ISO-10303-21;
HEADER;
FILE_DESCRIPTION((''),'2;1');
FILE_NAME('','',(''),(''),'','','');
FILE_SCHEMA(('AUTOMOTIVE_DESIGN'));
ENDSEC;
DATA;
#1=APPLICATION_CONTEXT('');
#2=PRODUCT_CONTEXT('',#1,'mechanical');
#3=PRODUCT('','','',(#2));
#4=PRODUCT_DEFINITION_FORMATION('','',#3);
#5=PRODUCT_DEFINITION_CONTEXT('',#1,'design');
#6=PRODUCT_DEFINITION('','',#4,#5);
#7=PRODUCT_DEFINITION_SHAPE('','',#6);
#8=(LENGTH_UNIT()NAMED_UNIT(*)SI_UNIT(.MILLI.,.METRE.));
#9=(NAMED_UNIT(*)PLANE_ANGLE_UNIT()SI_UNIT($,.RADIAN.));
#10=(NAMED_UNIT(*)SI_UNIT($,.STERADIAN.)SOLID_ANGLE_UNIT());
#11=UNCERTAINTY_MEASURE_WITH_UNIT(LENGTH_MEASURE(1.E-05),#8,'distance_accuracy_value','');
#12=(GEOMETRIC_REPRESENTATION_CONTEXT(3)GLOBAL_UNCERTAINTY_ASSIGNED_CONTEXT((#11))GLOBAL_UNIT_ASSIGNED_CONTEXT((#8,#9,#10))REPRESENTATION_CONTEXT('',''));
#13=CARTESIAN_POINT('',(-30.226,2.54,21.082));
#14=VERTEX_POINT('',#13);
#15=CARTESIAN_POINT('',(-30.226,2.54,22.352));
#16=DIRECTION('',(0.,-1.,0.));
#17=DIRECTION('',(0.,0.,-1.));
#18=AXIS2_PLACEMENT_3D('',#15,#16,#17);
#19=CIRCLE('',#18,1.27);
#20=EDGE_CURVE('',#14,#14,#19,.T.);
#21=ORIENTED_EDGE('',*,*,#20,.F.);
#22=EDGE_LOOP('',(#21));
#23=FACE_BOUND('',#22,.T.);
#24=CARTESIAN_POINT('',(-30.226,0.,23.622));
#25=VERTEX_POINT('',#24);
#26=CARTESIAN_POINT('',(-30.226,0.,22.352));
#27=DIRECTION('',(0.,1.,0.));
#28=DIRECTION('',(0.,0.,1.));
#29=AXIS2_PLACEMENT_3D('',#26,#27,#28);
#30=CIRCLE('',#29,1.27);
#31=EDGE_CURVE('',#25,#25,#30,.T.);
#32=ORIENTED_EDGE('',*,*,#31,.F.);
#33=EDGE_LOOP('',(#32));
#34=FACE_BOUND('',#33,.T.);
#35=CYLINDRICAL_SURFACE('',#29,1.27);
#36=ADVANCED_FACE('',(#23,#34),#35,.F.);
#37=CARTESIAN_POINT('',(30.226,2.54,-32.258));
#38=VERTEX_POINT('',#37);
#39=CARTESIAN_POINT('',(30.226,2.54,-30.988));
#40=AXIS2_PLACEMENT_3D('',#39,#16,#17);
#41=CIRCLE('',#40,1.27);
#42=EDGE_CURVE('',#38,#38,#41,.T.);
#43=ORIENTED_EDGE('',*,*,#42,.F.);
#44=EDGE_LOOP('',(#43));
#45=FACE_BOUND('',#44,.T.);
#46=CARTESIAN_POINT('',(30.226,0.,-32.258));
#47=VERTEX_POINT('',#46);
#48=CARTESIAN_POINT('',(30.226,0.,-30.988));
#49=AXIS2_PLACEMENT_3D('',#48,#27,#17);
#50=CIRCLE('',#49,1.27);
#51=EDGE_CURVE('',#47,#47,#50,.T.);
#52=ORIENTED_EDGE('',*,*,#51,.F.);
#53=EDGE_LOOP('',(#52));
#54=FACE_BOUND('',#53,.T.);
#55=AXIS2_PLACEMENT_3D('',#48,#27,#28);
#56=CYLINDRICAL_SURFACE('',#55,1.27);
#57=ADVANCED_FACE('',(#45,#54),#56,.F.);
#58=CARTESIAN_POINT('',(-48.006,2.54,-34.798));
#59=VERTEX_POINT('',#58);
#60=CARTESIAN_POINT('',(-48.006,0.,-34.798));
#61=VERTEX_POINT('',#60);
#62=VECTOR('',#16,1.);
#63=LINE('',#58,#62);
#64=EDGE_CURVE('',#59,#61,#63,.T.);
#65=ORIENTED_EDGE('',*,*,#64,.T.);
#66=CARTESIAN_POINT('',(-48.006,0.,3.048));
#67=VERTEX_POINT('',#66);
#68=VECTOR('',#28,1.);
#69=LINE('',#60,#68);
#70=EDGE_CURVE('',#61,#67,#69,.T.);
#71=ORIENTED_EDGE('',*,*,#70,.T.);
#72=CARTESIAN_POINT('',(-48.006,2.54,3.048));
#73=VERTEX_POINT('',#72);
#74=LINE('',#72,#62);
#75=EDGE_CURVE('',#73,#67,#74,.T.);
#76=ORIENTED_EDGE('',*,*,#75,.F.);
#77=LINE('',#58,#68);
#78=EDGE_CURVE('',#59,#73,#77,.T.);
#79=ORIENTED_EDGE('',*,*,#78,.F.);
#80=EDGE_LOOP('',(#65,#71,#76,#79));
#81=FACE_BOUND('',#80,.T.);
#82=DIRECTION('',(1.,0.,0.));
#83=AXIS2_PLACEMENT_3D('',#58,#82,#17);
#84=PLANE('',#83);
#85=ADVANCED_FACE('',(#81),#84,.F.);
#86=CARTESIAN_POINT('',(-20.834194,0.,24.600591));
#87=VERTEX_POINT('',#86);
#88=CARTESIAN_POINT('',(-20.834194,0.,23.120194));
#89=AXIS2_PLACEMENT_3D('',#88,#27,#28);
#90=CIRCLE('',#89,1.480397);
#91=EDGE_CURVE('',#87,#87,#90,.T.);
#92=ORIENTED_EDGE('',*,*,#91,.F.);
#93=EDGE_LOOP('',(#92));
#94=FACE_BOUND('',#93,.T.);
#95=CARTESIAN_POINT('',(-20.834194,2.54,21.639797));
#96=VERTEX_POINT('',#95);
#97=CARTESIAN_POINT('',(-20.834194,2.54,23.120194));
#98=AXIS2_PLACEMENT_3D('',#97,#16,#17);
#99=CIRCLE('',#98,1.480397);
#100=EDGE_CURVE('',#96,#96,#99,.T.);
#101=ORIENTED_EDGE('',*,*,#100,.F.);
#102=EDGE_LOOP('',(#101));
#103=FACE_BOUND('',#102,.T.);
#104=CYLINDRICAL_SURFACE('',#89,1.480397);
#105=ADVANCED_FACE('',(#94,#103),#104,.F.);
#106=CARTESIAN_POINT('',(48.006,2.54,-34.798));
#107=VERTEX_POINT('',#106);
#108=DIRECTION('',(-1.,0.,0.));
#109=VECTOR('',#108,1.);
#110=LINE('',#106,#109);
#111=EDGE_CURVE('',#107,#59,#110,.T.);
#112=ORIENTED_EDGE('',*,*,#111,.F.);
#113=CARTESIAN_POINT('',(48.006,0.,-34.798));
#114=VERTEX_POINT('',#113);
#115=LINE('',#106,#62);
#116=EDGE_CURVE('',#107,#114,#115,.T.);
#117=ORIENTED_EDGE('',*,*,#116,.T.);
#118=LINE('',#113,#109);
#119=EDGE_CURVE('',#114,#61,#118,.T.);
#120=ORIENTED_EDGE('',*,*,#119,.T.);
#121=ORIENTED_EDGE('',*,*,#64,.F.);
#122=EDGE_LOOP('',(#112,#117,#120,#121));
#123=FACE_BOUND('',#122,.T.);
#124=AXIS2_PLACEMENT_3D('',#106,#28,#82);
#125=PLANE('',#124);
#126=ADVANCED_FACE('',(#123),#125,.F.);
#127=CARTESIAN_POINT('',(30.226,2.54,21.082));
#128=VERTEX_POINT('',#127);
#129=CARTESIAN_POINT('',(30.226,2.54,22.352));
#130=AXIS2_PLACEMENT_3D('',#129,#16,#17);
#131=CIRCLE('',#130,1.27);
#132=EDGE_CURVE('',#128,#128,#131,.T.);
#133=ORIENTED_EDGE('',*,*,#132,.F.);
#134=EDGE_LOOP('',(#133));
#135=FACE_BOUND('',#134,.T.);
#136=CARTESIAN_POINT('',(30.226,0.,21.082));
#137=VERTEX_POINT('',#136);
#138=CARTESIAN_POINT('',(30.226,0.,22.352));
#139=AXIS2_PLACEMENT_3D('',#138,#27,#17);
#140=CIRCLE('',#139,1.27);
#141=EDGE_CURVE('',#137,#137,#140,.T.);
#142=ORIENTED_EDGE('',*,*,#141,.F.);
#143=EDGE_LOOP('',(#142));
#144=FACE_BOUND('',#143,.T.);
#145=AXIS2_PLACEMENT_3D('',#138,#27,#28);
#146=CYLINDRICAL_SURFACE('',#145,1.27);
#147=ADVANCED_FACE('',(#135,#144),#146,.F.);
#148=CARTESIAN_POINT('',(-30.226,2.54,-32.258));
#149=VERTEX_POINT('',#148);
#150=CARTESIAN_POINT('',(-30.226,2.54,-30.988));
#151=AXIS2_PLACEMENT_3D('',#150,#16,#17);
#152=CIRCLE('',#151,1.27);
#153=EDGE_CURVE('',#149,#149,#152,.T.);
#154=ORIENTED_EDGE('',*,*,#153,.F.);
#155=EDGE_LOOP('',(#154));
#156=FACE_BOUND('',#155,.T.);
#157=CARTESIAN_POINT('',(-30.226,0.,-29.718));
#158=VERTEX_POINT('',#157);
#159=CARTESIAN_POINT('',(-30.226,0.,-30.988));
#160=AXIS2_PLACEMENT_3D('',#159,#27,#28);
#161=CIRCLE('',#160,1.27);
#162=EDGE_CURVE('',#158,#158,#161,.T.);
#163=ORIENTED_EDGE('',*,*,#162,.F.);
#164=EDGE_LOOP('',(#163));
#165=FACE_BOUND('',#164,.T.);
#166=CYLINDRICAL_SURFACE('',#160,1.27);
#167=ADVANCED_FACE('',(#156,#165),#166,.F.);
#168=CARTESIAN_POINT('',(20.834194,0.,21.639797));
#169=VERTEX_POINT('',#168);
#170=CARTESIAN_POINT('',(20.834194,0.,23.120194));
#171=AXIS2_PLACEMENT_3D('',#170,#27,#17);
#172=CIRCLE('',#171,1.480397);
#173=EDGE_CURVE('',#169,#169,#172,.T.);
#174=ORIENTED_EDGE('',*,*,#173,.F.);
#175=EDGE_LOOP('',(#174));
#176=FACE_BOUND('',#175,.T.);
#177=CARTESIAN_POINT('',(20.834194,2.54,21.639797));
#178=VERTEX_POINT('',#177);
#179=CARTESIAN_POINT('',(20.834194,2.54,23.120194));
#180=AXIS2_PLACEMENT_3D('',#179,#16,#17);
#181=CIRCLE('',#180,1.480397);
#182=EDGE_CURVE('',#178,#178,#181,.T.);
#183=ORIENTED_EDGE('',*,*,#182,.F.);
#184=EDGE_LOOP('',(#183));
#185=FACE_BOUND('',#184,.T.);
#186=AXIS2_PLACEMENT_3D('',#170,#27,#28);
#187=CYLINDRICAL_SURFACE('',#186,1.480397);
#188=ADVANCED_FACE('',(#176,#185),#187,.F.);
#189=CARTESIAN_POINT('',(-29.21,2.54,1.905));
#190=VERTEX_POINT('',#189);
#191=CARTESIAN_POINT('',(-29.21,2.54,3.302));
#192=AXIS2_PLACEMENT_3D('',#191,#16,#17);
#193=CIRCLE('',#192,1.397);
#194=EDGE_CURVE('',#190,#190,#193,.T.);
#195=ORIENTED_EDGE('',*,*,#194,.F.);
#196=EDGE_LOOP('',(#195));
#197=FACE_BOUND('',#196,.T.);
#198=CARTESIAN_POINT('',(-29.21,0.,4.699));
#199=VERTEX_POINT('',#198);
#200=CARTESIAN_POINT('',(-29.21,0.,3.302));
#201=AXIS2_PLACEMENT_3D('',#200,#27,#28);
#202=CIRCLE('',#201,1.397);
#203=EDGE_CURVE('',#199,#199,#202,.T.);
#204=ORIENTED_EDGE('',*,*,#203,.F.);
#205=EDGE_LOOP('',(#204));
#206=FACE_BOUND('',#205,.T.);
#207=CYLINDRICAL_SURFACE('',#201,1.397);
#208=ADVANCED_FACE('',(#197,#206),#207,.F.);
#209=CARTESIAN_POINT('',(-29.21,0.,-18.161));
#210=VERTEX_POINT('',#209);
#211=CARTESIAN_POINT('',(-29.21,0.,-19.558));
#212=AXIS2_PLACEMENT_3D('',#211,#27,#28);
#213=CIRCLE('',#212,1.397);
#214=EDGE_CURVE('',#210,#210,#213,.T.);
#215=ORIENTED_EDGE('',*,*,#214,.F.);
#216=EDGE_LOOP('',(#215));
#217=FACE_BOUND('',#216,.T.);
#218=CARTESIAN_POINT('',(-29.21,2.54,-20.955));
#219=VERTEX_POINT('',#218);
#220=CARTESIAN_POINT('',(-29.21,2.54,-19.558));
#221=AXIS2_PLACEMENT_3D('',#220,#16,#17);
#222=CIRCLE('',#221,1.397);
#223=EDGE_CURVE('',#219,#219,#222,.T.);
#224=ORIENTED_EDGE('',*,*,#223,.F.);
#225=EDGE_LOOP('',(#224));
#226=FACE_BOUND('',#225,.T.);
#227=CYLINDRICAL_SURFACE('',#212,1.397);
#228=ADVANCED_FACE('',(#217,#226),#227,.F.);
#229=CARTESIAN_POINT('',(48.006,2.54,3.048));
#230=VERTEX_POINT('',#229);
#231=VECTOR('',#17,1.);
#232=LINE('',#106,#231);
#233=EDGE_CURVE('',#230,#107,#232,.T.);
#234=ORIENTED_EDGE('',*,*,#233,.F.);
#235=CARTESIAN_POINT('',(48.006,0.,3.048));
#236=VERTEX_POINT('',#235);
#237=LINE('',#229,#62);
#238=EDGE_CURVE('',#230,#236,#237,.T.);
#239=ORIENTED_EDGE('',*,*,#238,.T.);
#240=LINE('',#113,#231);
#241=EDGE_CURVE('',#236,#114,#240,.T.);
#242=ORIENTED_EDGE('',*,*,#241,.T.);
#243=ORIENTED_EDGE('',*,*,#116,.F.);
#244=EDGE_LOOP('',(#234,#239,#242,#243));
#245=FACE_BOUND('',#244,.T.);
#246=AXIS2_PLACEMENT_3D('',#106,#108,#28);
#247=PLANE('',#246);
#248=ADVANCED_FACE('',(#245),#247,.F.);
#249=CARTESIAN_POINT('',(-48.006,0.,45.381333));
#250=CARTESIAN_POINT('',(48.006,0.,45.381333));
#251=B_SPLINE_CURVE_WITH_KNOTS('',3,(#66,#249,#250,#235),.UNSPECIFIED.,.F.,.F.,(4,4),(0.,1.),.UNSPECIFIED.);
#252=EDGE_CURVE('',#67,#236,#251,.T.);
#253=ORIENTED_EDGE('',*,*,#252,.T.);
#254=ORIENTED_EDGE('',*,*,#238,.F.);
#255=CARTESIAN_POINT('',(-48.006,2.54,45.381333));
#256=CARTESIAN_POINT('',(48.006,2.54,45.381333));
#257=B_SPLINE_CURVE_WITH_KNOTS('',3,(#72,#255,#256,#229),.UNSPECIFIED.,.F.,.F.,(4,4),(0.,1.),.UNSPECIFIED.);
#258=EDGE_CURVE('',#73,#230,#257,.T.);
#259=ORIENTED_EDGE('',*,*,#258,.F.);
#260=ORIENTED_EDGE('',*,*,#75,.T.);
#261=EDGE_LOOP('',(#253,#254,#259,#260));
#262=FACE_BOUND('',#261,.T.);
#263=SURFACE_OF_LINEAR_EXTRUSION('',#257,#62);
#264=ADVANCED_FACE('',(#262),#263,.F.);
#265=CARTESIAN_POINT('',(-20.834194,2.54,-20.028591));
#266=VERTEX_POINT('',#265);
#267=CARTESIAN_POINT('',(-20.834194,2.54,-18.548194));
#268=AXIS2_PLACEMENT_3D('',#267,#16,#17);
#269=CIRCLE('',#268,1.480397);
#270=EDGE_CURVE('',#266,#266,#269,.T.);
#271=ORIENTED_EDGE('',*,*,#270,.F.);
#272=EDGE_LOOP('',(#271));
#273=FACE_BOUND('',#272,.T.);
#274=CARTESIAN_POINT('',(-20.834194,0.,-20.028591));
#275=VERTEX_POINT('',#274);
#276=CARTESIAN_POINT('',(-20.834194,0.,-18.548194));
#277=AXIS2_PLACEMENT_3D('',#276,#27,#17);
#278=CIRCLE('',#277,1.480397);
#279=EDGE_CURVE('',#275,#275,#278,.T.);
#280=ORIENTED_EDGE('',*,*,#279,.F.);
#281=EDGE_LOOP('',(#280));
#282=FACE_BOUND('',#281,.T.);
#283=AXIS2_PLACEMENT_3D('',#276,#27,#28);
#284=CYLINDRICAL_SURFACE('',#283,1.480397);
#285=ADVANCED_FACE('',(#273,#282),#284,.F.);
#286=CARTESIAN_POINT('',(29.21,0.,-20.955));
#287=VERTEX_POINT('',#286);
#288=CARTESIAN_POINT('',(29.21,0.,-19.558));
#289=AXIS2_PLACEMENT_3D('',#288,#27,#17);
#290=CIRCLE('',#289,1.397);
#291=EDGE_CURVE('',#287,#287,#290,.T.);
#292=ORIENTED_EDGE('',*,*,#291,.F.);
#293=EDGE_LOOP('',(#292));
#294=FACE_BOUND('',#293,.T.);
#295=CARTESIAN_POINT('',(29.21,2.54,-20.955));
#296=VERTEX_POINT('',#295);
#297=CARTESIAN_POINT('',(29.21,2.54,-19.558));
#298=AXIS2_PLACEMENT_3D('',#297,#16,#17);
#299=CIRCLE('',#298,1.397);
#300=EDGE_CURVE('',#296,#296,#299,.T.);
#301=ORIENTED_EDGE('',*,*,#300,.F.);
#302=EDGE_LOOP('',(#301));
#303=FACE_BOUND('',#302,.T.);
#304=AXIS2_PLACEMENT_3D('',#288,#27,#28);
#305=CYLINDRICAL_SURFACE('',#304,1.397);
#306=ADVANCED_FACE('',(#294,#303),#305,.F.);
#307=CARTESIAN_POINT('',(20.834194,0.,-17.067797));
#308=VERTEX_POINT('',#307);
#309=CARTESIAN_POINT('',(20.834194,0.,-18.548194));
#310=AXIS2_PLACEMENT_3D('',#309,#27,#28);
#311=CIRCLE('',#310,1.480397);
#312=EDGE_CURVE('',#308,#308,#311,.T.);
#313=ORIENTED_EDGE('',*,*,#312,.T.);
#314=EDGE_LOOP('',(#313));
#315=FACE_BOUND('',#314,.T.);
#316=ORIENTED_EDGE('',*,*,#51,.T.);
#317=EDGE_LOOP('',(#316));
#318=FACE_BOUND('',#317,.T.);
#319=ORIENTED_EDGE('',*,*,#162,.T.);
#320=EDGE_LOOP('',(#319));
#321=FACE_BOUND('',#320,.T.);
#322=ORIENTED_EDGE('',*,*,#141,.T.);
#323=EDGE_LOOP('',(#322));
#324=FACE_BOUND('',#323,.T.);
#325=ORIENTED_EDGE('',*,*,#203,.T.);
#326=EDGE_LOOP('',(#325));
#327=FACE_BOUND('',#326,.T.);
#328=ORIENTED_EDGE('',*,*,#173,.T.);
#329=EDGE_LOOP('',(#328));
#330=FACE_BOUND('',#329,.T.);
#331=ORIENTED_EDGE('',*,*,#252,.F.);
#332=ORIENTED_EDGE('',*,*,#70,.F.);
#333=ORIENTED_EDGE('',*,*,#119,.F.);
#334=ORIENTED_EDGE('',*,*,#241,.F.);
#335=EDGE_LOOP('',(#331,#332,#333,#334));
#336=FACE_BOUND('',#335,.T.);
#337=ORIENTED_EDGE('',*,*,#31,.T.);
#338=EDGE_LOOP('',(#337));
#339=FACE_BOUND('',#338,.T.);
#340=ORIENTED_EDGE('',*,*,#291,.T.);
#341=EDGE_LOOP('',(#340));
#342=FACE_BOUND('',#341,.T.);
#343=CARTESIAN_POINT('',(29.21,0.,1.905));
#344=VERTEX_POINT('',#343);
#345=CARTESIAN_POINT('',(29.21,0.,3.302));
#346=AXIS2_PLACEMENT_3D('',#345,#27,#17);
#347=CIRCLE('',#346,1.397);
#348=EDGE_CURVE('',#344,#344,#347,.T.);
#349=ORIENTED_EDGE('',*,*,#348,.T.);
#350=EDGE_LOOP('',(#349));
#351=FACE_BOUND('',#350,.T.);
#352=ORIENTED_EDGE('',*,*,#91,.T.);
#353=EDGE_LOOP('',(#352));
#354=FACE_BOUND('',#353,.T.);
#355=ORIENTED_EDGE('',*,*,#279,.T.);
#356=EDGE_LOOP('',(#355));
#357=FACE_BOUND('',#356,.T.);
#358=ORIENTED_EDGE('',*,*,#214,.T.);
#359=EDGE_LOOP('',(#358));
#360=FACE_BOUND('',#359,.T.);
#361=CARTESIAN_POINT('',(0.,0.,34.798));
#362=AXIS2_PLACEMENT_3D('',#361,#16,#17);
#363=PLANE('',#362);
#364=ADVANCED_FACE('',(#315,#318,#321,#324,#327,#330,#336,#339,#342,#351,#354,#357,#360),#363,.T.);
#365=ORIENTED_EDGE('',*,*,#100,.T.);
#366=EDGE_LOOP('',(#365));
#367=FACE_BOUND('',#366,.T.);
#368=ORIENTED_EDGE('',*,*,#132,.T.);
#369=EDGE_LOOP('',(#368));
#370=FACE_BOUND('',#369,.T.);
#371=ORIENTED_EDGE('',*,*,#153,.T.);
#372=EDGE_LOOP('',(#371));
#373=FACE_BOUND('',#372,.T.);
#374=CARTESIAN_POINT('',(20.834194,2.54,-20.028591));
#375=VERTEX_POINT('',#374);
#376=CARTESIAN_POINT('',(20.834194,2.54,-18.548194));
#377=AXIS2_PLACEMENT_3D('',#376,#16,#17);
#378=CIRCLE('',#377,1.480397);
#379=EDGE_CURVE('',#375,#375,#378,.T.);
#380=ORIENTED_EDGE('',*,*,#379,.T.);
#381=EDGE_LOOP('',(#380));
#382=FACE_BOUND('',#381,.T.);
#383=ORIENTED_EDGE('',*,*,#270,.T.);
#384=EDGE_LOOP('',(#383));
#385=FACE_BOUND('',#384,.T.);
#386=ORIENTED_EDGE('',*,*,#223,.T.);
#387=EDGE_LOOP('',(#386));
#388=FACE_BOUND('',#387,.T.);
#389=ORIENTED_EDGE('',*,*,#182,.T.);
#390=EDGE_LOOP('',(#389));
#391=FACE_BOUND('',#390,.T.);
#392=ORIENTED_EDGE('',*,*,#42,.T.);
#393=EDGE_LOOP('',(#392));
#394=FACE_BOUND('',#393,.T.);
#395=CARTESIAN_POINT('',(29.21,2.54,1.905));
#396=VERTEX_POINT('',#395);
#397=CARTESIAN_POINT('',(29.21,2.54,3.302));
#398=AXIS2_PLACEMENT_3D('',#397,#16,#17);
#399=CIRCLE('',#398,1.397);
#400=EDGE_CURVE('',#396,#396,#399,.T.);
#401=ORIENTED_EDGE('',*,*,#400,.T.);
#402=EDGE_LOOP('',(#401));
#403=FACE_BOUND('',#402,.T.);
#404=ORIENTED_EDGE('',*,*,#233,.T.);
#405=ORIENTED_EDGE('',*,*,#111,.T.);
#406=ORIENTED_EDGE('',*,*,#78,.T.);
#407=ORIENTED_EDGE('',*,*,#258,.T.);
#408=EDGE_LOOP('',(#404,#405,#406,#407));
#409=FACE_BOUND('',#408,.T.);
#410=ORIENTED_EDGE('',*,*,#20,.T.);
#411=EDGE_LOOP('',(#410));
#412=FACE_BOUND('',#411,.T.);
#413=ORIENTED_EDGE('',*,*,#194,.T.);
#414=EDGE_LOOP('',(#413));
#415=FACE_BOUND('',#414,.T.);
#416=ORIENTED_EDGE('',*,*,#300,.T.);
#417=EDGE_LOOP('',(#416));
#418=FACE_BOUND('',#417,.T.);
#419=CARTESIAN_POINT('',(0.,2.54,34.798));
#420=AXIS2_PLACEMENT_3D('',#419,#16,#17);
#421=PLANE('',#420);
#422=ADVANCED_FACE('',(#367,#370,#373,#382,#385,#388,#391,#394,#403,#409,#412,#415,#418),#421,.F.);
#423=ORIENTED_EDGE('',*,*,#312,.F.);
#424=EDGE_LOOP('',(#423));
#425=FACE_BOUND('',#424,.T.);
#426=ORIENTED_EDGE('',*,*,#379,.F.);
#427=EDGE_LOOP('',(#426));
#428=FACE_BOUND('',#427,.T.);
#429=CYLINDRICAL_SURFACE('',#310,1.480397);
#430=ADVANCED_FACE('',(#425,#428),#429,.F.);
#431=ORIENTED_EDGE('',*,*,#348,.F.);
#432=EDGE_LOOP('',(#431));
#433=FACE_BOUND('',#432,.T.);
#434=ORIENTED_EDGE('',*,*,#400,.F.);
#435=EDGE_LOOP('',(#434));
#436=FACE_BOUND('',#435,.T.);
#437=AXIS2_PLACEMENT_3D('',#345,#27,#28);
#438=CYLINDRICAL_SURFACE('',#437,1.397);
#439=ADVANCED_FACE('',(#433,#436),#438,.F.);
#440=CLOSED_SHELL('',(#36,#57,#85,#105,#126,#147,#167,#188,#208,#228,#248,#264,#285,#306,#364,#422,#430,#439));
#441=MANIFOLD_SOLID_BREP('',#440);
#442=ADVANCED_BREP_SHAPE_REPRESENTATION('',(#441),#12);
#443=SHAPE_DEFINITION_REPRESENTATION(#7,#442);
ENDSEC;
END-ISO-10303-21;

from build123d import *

# Parameters (mm, degrees)
BOSS_EXTRUDE1_DEPTH     = 2.54
CUT_EXTRUDE1_DEPTH      = 60.34583774
CUT_EXTRUDE1_DEPTH_BACK = 60.34583774
SKETCH3_R               = 1.27
SKETCH3_R_2             = 1.397
SKETCH3_R_3             = 1.480396735


with BuildPart() as part:
    # Sketch2 → Boss-Extrude1 (new body)
    with BuildSketch(Plane(origin=(0, 0, 0), x_dir=(1, 0, 0), z_dir=(0, 1, 0))):
        with BuildLine():
            Line((48.006, 34.798), (-48.006, 34.798))
            Line((-48.006, 34.798), (-48.006, -3.048))
            add(Edge.make_bspline(
                [(-48.006, -3.048), (-48.006, -45.381333333), (48.006, -45.381333333), (48.006, -3.048)],
                knots=[0, 0, 0, 0, 1, 1, 1, 1], degree=3))
            Line((48.006, -3.048), (48.006, 34.798))
        make_face()
    extrude(amount=BOSS_EXTRUDE1_DEPTH)

    # Sketch3 → Cut-Extrude1 (cut, two sides: drawn at the far end of the back side and taken through both)
    with BuildSketch(Plane(origin=(0, 2.54, 0), x_dir=(1, 0, 0), z_dir=(0, 1, 0)).offset(-CUT_EXTRUDE1_DEPTH_BACK)):
        with Locations(Location((-30.226, 30.988, 0), (0, 0, 270))):
            Circle(SKETCH3_R)
        with Locations(Location((-30.226, -22.352, 0), (0, 0, 270))):
            Circle(SKETCH3_R)
        with Locations(Location((30.226, -22.352, 0), (0, 0, 90))):
            Circle(SKETCH3_R)
        with Locations(Location((30.226, 30.988, 0), (0, 0, 90))):
            Circle(SKETCH3_R)
        with Locations(Location((-29.21, 19.558, 0), (0, 0, 270))):
            Circle(SKETCH3_R_2)
        with Locations(Location((-29.21, -3.302, 0), (0, 0, 270))):
            Circle(SKETCH3_R_2)
        with Locations(Location((29.21, -3.302, 0), (0, 0, 90))):
            Circle(SKETCH3_R_2)
        with Locations(Location((29.21, 19.558, 0), (0, 0, 90))):
            Circle(SKETCH3_R_2)
        with Locations(Location((20.834194201, 18.548194201, 0), (0, 0, 270))):
            Circle(SKETCH3_R_3)
        with Locations(Location((20.834194201, -23.120194201, 0), (0, 0, 90))):
            Circle(SKETCH3_R_3)
        with Locations(Location((-20.834194201, 18.548194201, 0), (0, 0, 90))):
            Circle(SKETCH3_R_3)
        with Locations(Location((-20.834194201, -23.120194201, 0), (0, 0, 270))):
            Circle(SKETCH3_R_3)
    extrude(amount=CUT_EXTRUDE1_DEPTH + CUT_EXTRUDE1_DEPTH_BACK, mode=Mode.SUBTRACT)


solid = part.part
